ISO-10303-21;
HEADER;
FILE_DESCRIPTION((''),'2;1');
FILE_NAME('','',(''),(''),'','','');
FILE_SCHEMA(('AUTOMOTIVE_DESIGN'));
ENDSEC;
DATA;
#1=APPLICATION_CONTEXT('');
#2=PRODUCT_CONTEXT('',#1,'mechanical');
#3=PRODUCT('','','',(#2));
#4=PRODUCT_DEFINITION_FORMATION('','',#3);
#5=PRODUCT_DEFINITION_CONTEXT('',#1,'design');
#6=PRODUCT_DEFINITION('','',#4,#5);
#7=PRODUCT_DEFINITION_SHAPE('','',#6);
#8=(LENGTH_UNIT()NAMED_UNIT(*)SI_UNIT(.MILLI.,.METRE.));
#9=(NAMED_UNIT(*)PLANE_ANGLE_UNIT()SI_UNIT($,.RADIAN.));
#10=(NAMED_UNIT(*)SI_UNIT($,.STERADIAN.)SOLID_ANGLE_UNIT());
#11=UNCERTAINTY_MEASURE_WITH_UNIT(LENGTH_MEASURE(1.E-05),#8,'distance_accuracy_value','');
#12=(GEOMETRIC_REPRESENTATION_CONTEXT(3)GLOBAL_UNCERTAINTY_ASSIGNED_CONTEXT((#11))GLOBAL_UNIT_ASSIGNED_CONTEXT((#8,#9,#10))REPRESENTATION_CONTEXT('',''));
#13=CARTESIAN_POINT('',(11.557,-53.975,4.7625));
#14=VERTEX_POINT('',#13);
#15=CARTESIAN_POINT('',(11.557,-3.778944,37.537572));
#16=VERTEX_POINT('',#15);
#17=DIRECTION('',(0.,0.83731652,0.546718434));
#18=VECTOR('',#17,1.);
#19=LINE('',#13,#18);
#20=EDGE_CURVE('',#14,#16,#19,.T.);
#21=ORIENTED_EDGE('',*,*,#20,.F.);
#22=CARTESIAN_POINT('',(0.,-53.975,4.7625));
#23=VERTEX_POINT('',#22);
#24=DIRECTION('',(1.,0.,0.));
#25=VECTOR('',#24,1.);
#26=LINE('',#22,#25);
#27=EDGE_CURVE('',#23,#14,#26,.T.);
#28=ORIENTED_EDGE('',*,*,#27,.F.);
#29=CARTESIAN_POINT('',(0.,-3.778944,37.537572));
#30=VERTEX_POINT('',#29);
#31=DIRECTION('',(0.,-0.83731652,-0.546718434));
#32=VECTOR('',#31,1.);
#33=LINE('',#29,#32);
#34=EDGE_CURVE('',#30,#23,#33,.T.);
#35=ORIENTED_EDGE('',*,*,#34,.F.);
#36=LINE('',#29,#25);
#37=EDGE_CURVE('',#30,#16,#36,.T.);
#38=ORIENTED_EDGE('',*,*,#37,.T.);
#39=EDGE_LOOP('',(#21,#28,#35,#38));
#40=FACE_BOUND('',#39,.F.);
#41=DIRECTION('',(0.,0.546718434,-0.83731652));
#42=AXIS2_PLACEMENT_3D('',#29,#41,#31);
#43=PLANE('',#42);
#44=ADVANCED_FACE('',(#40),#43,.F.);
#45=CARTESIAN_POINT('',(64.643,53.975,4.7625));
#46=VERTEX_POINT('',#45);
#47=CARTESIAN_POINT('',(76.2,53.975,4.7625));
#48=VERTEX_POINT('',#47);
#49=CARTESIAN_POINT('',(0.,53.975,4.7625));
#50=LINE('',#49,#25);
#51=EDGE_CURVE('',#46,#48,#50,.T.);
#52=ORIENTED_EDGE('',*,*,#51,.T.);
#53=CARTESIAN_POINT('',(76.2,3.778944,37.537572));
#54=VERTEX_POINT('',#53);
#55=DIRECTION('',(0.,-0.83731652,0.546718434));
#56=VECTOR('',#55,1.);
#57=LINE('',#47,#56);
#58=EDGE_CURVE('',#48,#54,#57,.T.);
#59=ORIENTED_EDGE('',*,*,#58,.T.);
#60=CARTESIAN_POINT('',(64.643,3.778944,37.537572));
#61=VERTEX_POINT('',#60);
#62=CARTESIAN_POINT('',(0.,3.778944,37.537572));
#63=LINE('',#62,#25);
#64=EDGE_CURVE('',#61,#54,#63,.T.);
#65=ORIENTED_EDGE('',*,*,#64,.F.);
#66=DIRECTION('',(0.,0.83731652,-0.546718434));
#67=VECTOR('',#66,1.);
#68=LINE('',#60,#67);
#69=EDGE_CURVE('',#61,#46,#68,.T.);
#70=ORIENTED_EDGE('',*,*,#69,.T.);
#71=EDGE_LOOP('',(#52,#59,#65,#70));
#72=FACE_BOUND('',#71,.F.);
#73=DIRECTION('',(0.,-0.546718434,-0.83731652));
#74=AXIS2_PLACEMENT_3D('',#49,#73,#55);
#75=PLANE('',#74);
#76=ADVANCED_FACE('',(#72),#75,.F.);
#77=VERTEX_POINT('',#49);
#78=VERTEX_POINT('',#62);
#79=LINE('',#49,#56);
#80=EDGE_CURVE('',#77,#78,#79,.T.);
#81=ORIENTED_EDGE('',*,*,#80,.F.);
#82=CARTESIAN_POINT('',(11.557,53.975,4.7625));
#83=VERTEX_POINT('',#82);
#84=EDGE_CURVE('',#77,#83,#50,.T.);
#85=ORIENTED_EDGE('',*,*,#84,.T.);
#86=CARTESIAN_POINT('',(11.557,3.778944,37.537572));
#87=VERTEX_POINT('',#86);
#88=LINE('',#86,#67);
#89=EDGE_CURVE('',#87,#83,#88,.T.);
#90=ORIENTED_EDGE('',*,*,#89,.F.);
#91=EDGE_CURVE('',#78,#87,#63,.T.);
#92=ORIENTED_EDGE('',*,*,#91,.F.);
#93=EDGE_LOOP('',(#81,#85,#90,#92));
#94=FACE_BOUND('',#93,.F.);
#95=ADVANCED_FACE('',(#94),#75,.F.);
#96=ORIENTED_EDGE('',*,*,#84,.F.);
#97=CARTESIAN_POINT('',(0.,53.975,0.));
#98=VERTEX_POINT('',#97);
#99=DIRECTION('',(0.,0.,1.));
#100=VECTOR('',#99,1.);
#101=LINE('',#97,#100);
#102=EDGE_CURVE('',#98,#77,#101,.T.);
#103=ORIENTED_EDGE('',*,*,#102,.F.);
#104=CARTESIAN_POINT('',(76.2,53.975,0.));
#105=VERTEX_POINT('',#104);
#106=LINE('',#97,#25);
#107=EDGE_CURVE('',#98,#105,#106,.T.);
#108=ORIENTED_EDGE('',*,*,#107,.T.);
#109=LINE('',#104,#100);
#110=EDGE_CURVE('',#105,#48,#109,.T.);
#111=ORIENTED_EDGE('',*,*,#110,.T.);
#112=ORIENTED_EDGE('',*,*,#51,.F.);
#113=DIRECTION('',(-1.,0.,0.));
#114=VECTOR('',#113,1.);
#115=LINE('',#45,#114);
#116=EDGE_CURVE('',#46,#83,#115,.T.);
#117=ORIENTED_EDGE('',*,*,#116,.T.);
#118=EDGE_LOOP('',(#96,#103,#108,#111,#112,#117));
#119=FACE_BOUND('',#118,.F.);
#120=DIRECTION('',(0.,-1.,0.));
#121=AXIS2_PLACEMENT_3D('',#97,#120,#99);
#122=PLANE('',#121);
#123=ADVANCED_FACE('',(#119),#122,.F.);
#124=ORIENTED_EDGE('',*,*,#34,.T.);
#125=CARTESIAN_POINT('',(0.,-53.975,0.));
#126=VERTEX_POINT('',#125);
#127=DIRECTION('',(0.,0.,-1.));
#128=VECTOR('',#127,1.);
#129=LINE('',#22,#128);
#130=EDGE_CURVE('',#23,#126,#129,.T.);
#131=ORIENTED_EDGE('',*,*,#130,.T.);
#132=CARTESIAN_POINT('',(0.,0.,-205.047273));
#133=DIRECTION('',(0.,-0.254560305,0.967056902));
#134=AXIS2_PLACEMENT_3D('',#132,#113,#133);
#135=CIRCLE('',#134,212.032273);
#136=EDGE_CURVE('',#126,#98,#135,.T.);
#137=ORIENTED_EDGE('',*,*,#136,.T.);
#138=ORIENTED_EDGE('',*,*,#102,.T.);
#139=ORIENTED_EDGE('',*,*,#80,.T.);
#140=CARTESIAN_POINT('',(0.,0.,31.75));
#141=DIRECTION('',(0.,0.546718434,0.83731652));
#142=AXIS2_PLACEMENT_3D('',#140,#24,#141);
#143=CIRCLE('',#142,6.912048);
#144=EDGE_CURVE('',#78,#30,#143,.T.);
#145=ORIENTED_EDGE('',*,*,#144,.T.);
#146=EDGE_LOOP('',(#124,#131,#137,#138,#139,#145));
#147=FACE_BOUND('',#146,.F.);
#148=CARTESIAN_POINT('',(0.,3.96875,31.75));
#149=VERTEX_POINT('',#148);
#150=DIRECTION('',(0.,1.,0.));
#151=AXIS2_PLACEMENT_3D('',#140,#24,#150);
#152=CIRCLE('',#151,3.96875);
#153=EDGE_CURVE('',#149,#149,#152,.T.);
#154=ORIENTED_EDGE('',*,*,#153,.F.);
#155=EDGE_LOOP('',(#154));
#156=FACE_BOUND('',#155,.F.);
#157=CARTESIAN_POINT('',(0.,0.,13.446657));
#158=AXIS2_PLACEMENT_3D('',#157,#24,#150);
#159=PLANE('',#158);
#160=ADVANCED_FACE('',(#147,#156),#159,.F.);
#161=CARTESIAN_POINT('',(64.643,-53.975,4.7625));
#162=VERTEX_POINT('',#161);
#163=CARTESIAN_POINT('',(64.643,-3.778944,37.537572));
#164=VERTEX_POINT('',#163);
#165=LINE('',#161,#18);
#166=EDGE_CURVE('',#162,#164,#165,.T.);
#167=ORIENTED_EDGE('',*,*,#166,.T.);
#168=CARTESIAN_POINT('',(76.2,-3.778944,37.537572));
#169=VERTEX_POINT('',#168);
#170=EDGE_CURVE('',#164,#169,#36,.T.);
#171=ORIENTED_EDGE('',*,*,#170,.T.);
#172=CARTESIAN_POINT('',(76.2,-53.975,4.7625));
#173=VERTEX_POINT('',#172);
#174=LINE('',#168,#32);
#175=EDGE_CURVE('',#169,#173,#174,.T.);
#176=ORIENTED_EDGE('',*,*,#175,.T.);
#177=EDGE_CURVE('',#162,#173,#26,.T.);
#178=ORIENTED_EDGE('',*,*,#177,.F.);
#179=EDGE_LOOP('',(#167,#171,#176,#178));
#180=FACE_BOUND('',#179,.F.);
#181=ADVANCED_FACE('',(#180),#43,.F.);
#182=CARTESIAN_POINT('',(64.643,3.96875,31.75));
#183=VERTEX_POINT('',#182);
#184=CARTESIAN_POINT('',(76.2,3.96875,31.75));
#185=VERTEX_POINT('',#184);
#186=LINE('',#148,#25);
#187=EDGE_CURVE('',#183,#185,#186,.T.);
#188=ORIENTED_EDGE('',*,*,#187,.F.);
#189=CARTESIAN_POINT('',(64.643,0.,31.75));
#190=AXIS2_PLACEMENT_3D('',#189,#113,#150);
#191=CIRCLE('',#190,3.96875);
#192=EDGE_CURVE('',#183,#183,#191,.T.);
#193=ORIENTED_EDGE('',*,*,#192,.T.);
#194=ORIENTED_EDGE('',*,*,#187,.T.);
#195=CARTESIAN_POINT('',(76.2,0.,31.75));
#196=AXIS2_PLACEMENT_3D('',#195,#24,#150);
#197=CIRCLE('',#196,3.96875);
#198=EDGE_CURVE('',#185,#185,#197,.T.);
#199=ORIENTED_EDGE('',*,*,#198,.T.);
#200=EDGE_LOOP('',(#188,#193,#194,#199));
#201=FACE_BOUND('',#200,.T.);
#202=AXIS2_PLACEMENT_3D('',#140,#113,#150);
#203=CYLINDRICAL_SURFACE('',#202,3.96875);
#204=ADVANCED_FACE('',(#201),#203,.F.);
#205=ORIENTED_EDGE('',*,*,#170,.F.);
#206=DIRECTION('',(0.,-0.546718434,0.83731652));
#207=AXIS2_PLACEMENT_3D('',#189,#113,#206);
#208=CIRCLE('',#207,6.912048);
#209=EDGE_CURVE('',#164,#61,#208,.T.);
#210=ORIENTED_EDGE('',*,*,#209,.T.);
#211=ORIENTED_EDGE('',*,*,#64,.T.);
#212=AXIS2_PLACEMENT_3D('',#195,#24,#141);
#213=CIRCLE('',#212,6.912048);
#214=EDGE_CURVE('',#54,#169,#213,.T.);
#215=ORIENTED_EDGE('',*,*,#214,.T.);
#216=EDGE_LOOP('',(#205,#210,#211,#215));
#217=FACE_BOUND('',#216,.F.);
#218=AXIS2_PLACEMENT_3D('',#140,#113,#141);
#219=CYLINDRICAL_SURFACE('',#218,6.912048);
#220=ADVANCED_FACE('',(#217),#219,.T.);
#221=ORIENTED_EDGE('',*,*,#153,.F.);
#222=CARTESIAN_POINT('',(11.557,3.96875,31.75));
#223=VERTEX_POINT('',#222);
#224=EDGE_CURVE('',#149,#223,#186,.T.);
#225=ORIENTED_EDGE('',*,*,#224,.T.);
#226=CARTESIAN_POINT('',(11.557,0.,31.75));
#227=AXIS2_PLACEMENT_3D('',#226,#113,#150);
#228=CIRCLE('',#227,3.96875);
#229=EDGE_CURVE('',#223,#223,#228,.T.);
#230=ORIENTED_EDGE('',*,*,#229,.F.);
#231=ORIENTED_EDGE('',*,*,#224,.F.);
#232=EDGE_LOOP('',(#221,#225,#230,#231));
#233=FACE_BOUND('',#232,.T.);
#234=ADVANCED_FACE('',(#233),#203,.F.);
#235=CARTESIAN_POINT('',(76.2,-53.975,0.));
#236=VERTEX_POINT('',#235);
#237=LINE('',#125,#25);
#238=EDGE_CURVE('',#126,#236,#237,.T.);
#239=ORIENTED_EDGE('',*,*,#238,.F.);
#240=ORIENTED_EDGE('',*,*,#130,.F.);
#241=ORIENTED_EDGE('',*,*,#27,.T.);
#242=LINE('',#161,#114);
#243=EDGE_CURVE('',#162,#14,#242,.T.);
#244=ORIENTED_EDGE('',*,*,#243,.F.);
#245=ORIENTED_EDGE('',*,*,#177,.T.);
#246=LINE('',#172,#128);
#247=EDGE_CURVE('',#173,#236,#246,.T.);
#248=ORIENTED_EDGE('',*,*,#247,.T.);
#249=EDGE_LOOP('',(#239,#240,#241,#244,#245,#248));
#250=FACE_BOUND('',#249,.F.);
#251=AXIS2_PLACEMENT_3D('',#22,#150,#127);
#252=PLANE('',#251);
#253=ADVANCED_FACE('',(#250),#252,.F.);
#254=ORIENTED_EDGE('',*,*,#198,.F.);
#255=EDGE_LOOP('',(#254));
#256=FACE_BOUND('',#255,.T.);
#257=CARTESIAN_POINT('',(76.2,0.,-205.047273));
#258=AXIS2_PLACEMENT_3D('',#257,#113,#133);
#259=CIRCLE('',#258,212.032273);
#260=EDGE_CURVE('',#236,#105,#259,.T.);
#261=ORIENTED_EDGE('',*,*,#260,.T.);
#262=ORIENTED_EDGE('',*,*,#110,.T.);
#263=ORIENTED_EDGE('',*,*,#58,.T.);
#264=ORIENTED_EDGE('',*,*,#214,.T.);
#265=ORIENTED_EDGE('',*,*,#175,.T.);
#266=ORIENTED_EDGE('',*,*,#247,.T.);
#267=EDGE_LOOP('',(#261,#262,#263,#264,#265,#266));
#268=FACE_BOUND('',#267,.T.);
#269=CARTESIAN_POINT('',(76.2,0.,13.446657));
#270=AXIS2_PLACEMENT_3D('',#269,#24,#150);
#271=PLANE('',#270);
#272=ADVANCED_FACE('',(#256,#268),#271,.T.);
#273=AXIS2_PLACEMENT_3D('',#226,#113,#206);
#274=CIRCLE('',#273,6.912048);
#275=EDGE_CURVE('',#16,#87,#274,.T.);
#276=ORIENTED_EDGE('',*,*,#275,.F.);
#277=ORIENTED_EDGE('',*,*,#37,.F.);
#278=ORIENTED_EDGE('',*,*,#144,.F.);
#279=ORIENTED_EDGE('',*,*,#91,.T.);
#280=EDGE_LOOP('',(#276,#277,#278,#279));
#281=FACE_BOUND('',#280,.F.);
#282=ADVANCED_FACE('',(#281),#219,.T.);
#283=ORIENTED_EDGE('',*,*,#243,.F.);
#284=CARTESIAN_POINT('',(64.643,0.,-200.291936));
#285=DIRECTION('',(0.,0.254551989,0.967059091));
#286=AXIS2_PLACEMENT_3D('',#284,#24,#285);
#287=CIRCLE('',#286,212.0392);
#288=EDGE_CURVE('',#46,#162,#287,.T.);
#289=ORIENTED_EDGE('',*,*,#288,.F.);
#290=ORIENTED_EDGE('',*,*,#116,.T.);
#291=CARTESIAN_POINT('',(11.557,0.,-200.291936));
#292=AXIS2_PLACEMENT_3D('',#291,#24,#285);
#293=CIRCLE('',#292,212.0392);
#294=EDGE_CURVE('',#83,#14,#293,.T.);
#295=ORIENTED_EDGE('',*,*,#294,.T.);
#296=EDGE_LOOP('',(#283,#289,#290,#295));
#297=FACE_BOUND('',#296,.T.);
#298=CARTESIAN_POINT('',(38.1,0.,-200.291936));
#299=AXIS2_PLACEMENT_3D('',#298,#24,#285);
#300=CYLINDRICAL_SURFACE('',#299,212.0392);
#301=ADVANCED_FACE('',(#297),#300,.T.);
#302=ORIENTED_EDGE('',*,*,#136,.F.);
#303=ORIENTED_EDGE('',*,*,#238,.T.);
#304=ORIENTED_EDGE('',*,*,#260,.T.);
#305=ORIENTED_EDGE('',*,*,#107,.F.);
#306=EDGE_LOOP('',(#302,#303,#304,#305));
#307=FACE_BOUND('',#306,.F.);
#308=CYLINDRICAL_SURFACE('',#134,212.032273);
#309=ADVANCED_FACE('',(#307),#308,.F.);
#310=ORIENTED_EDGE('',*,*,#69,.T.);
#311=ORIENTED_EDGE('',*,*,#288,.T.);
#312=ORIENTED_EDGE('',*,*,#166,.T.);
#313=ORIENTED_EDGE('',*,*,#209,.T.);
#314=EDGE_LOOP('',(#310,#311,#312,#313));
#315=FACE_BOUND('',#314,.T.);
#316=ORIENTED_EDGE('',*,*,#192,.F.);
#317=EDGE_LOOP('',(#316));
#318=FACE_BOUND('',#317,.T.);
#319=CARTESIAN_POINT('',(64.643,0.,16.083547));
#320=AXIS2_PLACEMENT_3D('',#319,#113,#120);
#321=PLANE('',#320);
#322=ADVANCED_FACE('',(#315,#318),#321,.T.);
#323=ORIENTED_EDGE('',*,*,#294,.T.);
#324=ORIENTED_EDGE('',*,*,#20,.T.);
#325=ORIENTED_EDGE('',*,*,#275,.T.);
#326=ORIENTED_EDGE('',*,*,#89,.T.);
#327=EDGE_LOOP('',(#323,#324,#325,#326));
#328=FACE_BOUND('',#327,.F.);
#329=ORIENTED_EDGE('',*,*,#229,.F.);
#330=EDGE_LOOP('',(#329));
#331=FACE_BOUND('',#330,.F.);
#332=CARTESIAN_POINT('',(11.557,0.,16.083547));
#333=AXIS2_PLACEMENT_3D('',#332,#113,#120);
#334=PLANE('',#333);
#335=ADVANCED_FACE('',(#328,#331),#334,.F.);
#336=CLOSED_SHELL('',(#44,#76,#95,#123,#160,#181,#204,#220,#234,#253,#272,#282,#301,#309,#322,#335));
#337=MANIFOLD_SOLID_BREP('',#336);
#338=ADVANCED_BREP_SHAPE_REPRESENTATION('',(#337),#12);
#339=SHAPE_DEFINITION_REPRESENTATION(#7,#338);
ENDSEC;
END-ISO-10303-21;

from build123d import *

# Parameters (mm, degrees)
F0_R          = 3.96875
F1_DEPTH      = 76.2
F4_DEPTH      = 26.543
F4_DEPTH_BACK = 26.543


with BuildPart() as f1:
    # F0 (on Right) → F1 (new body)
    with BuildSketch(Plane.YZ):
        with BuildLine():
            Line((-53.975, 4.7625), (-53.975, 0))
            ThreePointArc((-53.975, 0), (0, 6.985), (53.975, 0))
            Line((53.975, 0), (53.975, 4.7625))
            Line((53.975, 4.7625), (3.7789439849, 37.5375718687))
            ThreePointArc((3.7789439849, 37.5375718687), (0, 38.6620478714), (-3.7789439849, 37.5375718687))
            Line((-3.7789439849, 37.5375718687), (-53.975, 4.7625))
        make_face()
        with Locations((0, 31.75)):
            Circle(F0_R, mode=Mode.SUBTRACT)
    extrude(amount=F1_DEPTH)

    # F3 (on offset) → F4 (cut, two sides)
    with BuildSketch(Plane(origin=(38.1, 0, 0), x_dir=(0, -1, 0), z_dir=(-1, 0, 0))) as f4_sk:
        with BuildLine():
            ThreePointArc((3.7789439849, 37.5375718687), (0, 38.6620478714), (-3.7789439849, 37.5375718687))
            Line((-3.7789439849, 37.5375718687), (-53.975, 4.7625))
            ThreePointArc((-53.975, 4.7625), (0, 11.7472640284), (53.975, 4.7625))
            Line((53.975, 4.7625), (3.7789439849, 37.5375718687))
        make_face()
    extrude(amount=F4_DEPTH, mode=Mode.SUBTRACT)
    extrude(f4_sk.sketch, amount=-F4_DEPTH_BACK, mode=Mode.SUBTRACT)


solid = f1.part
